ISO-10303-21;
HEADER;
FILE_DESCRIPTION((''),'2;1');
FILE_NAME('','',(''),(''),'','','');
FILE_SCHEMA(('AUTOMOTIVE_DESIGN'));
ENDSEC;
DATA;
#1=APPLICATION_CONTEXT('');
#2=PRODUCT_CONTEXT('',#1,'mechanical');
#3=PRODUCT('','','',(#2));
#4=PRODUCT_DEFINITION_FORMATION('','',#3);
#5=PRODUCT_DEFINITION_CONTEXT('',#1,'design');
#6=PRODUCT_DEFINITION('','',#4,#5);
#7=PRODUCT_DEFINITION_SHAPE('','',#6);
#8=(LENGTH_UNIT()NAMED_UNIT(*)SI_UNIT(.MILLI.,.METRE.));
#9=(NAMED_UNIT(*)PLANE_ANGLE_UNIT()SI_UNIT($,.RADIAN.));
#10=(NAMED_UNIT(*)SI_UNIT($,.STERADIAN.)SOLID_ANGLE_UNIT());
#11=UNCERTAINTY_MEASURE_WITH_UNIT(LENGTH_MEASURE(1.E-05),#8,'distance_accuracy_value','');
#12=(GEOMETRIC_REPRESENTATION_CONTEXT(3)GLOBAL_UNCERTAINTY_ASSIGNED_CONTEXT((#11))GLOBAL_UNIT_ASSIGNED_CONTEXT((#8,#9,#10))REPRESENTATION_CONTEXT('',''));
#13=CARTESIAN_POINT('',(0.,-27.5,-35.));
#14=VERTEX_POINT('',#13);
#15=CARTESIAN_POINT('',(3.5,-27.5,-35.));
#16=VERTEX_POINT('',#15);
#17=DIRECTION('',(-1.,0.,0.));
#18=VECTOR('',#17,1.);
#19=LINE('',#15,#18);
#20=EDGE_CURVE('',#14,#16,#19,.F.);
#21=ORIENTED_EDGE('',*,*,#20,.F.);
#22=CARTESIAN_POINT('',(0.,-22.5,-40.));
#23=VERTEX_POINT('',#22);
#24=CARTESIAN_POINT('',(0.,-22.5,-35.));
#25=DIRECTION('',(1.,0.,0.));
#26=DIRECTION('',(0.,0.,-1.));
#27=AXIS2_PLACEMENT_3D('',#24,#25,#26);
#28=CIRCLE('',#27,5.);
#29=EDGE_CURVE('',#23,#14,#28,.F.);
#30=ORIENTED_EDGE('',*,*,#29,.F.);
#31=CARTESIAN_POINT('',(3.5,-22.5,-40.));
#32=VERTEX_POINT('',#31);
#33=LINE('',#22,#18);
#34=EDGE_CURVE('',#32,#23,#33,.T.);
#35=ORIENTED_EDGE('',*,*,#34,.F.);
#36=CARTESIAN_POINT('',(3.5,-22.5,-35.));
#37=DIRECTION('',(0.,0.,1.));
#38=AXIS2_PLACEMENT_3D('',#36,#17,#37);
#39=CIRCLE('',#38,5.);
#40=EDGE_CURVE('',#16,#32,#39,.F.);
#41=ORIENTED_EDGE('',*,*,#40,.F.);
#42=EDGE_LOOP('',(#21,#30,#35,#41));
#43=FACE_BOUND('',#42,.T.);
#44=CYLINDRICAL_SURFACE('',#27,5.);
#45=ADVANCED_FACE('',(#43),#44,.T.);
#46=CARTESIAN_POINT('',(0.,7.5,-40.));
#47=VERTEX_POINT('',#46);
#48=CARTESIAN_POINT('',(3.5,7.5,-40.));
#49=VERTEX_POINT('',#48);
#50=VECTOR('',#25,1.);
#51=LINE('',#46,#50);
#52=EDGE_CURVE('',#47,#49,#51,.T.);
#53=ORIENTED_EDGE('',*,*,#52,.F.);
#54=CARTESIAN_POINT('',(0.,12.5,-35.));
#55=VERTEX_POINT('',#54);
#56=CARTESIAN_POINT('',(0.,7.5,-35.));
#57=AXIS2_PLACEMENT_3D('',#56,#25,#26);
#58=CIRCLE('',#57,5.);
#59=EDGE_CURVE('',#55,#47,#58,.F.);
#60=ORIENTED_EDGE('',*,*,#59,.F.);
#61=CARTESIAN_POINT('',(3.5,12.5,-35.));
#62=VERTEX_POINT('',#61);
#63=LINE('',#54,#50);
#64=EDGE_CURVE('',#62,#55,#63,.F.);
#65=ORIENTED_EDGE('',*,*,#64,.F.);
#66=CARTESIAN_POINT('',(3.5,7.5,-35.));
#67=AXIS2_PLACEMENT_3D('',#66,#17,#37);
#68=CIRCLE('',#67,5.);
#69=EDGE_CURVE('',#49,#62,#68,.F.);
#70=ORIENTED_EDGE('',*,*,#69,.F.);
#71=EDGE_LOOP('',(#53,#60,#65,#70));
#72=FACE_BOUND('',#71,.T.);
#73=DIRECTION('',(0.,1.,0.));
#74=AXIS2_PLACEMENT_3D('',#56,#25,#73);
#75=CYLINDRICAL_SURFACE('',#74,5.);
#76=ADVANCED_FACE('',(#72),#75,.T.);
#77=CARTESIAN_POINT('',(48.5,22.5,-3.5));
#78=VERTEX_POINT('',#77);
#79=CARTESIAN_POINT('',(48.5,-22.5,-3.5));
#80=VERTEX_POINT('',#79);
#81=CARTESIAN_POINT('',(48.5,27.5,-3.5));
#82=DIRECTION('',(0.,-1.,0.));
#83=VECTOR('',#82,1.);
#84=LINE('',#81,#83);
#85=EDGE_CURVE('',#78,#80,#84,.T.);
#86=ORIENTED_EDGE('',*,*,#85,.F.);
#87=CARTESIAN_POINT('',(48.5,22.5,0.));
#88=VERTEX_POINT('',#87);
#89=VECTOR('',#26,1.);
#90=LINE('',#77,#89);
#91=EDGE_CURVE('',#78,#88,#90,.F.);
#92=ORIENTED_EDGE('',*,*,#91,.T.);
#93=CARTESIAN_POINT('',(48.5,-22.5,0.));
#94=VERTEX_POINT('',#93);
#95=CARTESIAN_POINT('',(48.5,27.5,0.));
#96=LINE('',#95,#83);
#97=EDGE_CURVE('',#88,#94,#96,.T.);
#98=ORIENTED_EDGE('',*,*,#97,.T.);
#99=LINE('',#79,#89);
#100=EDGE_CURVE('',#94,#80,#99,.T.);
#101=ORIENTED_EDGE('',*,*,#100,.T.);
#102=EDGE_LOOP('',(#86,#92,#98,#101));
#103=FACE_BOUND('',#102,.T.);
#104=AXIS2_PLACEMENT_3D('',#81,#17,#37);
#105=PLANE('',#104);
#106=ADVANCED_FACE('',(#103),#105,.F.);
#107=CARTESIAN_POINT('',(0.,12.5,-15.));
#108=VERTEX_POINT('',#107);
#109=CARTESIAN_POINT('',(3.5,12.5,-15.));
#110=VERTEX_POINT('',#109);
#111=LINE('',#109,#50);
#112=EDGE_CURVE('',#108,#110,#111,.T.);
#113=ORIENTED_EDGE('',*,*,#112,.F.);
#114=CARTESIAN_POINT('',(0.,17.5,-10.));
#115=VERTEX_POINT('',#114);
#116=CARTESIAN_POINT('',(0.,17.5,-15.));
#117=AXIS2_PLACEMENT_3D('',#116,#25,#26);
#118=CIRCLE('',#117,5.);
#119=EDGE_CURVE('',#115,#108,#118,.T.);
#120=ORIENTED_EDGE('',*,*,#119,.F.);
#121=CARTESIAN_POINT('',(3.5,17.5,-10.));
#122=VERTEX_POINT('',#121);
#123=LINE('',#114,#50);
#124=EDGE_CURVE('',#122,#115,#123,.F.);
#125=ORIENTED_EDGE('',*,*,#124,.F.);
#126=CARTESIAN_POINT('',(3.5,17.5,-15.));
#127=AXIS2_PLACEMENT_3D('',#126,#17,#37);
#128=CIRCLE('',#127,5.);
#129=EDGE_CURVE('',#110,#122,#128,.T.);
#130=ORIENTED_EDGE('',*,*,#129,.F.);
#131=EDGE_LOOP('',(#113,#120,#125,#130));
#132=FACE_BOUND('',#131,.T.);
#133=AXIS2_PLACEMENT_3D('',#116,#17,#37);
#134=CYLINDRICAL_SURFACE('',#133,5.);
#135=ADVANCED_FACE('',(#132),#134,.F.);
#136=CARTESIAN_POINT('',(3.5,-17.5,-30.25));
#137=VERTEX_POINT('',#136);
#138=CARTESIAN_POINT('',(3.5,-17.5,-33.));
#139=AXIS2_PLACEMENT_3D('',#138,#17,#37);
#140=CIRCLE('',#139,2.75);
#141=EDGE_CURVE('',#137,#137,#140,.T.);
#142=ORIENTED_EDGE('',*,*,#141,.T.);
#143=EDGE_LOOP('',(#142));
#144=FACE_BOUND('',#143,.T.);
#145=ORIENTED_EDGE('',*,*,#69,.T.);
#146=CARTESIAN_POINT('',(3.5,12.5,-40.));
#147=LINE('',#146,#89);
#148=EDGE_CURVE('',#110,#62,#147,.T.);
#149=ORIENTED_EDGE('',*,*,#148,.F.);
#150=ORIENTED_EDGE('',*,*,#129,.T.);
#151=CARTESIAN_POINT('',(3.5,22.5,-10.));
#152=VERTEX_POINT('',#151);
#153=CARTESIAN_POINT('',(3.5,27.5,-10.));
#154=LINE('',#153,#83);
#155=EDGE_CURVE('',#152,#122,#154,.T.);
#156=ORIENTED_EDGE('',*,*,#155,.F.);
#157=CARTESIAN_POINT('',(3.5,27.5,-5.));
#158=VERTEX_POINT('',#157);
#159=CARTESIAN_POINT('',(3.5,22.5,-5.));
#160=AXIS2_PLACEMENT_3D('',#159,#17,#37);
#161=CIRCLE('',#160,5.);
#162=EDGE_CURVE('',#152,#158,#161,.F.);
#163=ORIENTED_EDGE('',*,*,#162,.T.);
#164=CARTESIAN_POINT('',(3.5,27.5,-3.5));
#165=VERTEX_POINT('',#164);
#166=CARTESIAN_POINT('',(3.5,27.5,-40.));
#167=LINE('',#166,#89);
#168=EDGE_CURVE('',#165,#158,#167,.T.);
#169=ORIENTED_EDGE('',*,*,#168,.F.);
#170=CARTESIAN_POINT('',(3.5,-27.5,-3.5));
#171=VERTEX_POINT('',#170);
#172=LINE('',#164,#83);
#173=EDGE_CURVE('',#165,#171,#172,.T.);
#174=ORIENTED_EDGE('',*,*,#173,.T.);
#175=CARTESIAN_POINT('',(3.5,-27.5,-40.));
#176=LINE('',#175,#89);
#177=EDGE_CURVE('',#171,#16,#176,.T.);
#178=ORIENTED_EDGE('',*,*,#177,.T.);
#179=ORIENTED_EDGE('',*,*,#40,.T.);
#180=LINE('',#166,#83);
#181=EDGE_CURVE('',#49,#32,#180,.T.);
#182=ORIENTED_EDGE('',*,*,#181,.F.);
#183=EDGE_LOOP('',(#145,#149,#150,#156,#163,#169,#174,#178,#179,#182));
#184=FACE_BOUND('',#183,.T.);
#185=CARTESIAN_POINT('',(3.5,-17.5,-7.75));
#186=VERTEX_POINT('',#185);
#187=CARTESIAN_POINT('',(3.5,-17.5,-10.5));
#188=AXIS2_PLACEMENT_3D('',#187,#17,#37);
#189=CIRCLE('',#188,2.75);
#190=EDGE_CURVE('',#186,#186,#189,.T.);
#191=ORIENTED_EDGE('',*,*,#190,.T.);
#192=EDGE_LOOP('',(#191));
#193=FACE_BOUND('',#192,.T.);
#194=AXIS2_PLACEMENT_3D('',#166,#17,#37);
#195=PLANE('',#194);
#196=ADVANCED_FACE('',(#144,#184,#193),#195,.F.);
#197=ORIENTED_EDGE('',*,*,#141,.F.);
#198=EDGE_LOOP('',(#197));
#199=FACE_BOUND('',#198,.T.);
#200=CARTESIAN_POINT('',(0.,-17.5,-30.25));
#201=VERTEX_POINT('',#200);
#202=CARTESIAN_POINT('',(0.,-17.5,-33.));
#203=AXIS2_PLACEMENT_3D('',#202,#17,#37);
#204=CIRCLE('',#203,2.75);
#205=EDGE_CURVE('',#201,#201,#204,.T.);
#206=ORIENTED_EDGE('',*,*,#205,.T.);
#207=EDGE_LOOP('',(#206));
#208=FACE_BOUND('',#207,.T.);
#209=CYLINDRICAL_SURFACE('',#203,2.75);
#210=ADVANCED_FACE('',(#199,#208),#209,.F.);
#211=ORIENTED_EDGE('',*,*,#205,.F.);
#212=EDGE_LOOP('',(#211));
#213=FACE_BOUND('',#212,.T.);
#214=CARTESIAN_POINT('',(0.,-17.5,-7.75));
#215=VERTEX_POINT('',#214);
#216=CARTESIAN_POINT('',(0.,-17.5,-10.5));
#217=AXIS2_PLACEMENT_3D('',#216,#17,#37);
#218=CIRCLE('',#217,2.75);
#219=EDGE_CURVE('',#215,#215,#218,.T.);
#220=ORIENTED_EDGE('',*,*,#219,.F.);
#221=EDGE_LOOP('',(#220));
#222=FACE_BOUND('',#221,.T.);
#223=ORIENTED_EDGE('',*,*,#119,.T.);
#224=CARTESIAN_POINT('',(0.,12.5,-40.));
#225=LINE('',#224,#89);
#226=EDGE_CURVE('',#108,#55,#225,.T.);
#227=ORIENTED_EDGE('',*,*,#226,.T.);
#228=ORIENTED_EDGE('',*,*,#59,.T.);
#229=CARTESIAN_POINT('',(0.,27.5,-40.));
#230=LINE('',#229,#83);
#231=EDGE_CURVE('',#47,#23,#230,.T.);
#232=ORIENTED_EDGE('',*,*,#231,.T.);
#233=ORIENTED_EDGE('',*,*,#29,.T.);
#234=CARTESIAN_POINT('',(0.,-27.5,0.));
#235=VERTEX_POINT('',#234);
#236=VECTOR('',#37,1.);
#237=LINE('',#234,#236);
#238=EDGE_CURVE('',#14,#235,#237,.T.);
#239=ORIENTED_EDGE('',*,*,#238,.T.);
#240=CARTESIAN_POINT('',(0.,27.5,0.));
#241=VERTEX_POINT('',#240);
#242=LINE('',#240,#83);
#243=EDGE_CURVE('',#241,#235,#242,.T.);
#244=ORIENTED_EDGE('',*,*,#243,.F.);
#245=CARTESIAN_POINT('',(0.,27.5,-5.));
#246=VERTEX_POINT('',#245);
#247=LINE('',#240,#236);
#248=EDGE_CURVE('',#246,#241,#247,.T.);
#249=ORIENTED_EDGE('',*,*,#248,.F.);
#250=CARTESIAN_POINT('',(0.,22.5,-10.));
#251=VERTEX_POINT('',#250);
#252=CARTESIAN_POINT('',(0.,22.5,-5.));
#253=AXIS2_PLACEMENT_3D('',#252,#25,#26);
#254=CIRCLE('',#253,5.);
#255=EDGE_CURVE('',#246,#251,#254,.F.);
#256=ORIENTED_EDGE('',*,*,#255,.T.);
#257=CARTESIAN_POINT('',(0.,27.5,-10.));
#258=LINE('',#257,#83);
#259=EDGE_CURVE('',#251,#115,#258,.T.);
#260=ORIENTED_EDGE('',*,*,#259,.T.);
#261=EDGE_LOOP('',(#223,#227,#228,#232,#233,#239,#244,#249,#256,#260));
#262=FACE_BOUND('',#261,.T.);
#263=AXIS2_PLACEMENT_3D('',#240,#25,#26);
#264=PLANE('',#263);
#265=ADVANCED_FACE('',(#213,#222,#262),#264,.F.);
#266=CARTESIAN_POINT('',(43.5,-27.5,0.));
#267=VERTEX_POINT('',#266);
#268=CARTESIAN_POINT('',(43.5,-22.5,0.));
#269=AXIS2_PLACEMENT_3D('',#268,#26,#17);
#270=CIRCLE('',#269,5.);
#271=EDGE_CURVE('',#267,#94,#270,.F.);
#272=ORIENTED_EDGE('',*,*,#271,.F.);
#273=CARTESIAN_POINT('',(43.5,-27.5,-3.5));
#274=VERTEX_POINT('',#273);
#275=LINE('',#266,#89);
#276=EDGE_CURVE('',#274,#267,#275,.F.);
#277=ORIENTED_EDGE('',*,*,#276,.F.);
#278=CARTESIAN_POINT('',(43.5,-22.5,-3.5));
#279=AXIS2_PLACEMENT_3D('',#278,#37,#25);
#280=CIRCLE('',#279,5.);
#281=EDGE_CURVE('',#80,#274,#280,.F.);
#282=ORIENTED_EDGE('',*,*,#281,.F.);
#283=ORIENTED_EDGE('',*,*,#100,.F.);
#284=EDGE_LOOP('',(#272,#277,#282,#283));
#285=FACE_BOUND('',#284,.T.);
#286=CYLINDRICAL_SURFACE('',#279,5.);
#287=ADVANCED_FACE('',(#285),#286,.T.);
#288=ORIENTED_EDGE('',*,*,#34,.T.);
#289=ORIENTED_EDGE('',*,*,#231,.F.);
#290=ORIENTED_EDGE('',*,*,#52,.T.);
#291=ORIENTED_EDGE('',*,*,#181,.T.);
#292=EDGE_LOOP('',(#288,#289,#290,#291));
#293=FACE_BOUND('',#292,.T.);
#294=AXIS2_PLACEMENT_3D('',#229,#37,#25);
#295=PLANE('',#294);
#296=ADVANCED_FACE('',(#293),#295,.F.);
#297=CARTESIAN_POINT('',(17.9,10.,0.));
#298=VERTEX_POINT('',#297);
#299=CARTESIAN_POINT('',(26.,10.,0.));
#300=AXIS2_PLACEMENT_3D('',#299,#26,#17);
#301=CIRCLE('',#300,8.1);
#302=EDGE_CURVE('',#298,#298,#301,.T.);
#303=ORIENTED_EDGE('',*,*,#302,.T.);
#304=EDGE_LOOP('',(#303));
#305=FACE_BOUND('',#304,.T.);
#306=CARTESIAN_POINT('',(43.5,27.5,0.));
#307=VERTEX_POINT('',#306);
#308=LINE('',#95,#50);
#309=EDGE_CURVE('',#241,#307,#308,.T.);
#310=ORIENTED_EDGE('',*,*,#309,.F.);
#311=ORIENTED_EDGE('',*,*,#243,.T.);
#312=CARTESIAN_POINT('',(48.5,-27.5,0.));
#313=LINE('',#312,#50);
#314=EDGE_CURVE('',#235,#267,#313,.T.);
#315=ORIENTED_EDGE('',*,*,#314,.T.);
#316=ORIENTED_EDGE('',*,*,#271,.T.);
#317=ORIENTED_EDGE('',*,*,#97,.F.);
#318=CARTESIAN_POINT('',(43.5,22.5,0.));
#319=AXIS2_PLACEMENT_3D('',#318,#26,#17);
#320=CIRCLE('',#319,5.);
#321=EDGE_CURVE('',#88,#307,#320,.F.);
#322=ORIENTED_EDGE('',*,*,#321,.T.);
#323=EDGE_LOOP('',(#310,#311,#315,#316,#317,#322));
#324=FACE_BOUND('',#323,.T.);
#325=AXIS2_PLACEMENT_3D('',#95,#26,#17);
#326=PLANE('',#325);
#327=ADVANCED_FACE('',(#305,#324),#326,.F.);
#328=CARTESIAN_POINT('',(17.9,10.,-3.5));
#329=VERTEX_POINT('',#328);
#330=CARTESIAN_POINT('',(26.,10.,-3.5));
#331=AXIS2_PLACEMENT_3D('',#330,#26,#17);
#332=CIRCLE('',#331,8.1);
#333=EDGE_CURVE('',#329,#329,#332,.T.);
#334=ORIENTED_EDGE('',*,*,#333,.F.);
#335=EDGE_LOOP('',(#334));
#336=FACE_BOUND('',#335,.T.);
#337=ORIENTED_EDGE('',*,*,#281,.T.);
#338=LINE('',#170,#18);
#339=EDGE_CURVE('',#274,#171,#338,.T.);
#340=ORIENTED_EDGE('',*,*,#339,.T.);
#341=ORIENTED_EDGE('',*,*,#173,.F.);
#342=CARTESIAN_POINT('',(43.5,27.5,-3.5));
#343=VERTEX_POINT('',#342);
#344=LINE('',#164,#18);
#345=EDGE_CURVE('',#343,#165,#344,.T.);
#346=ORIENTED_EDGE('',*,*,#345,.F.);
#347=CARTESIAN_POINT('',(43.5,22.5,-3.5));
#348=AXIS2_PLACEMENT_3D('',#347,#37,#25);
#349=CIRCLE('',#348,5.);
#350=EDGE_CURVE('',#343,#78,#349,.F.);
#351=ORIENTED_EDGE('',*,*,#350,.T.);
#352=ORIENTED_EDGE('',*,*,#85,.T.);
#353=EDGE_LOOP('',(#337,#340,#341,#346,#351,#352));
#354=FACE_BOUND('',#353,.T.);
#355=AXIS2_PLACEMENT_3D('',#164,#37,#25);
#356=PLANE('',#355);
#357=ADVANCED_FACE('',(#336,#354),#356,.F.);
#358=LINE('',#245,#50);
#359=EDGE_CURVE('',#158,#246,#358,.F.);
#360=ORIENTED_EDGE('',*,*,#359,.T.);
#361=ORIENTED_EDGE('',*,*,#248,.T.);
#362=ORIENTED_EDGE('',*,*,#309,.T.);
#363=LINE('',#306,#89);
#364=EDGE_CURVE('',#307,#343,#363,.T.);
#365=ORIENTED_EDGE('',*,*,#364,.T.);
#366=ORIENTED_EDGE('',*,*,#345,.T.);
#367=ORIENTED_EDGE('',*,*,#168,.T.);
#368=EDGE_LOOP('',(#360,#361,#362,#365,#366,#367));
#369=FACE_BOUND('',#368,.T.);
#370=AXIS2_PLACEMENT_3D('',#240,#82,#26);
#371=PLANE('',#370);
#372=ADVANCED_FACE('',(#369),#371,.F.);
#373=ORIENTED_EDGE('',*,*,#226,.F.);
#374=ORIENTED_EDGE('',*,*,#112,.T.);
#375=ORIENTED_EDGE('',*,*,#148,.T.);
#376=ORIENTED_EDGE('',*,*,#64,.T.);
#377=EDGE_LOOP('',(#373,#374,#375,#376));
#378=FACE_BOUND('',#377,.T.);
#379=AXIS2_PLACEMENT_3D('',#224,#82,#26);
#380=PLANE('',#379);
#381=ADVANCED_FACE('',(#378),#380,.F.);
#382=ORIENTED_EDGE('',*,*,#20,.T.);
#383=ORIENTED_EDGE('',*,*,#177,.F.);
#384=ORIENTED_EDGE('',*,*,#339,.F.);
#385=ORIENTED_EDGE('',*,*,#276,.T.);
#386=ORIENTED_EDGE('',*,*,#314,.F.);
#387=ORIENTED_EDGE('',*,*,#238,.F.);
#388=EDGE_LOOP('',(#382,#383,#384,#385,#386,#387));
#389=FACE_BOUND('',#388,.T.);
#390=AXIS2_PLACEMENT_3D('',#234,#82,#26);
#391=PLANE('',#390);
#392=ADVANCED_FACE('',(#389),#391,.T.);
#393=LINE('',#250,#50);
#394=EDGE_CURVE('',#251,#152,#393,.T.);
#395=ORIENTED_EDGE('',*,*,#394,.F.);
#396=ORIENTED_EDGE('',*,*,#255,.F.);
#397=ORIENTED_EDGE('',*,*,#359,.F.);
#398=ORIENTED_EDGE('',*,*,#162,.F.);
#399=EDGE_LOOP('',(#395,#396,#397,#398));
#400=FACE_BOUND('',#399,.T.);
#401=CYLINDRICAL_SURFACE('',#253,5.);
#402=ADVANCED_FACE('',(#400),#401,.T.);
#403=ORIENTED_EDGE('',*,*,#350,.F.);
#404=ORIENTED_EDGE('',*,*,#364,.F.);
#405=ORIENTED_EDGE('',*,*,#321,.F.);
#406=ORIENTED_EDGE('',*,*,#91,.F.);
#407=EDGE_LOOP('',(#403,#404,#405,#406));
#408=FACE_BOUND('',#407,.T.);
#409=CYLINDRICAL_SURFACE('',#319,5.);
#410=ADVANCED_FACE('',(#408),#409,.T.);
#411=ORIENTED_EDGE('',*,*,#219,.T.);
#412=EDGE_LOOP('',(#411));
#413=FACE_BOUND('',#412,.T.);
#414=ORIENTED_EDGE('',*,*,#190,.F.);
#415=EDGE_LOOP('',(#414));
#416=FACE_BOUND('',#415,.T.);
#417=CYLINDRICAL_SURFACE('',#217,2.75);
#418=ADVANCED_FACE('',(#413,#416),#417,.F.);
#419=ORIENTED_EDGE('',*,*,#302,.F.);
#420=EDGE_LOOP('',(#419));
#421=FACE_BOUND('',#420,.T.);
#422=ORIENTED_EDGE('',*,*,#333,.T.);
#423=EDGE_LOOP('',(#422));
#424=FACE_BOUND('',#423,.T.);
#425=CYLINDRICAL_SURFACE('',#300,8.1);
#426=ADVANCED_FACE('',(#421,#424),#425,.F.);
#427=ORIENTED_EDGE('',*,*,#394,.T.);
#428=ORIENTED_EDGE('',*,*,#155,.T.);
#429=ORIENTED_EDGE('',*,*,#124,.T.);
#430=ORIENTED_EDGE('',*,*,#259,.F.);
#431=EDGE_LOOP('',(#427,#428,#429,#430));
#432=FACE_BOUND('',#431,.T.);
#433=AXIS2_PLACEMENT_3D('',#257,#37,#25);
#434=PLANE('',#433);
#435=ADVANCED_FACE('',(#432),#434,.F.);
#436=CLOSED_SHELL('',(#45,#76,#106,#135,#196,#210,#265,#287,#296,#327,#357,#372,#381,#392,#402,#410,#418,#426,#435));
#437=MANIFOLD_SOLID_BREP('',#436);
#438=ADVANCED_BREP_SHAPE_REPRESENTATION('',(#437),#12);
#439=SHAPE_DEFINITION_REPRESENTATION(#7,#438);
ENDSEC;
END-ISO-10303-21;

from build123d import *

# Parameters (mm, degrees)
BOSS_EXTRUDE1_DEPTH  = 27.5
SKETCH4_R            = 8.1
CUT_EXTRUDE1_DEPTH   = 67.638952573
M5_CLEARANCE_HOLE1_D = 5.5
SKETCH7_W            = 30
SKETCH7_H            = 15
CUT_EXTRUDE2_DEPTH   = 67.191011474
FILLET1_R            = 5


with BuildPart() as part:
    # Sketch1 → Boss-Extrude1 (new, symmetric)
    with BuildSketch(Plane(origin=(0, 0, 0), x_dir=(1, 0, 0), z_dir=(0, 1, 0))):
        Polygon((0, 0), (0, 40), (3.5, 40), (3.5, 3.5), (48.5, 3.5), (48.5, 0), align=None)
    extrude(amount=BOSS_EXTRUDE1_DEPTH, both=True)

    # Sketch4 → Cut-Extrude1 (cut, through all)
    with BuildSketch(Plane(origin=(0, 0, -3.5), x_dir=(-1, 0, 0), z_dir=(0, 0, -1))):
        with Locations((-26, 10)):
            Circle(SKETCH4_R)
    extrude(amount=-CUT_EXTRUDE1_DEPTH, mode=Mode.SUBTRACT)

    # M5 Clearance Hole1 (through all)
    with Locations(Plane.ZY):
        with Locations((-10.5, -17.5), (-33, -17.5)):
            Hole(M5_CLEARANCE_HOLE1_D / 2)

    # Sketch7 → Cut-Extrude2 (cut, through all)
    with BuildSketch(Plane(origin=(3.5, 0, 0), x_dir=(0, 0, -1), z_dir=(1, 0, 0))):
        with Locations((25, 20)):
            Rectangle(SKETCH7_W, SKETCH7_H)
    extrude(amount=-CUT_EXTRUDE2_DEPTH, mode=Mode.SUBTRACT)

    # Fillet1
    fillet1_edges = [part.edges().sort_by_distance(p)[0] for p in [
        (1.75, 12.5, -40),
        (1.75, 12.5, -10),
        (1.75, 27.5, -10),
        (1.75, -27.5, -40),
        (48.5, -27.5, -1.75),
        (48.5, 27.5, -1.75),
    ]]
    fillet(fillet1_edges, radius=FILLET1_R)


solid = part.part
